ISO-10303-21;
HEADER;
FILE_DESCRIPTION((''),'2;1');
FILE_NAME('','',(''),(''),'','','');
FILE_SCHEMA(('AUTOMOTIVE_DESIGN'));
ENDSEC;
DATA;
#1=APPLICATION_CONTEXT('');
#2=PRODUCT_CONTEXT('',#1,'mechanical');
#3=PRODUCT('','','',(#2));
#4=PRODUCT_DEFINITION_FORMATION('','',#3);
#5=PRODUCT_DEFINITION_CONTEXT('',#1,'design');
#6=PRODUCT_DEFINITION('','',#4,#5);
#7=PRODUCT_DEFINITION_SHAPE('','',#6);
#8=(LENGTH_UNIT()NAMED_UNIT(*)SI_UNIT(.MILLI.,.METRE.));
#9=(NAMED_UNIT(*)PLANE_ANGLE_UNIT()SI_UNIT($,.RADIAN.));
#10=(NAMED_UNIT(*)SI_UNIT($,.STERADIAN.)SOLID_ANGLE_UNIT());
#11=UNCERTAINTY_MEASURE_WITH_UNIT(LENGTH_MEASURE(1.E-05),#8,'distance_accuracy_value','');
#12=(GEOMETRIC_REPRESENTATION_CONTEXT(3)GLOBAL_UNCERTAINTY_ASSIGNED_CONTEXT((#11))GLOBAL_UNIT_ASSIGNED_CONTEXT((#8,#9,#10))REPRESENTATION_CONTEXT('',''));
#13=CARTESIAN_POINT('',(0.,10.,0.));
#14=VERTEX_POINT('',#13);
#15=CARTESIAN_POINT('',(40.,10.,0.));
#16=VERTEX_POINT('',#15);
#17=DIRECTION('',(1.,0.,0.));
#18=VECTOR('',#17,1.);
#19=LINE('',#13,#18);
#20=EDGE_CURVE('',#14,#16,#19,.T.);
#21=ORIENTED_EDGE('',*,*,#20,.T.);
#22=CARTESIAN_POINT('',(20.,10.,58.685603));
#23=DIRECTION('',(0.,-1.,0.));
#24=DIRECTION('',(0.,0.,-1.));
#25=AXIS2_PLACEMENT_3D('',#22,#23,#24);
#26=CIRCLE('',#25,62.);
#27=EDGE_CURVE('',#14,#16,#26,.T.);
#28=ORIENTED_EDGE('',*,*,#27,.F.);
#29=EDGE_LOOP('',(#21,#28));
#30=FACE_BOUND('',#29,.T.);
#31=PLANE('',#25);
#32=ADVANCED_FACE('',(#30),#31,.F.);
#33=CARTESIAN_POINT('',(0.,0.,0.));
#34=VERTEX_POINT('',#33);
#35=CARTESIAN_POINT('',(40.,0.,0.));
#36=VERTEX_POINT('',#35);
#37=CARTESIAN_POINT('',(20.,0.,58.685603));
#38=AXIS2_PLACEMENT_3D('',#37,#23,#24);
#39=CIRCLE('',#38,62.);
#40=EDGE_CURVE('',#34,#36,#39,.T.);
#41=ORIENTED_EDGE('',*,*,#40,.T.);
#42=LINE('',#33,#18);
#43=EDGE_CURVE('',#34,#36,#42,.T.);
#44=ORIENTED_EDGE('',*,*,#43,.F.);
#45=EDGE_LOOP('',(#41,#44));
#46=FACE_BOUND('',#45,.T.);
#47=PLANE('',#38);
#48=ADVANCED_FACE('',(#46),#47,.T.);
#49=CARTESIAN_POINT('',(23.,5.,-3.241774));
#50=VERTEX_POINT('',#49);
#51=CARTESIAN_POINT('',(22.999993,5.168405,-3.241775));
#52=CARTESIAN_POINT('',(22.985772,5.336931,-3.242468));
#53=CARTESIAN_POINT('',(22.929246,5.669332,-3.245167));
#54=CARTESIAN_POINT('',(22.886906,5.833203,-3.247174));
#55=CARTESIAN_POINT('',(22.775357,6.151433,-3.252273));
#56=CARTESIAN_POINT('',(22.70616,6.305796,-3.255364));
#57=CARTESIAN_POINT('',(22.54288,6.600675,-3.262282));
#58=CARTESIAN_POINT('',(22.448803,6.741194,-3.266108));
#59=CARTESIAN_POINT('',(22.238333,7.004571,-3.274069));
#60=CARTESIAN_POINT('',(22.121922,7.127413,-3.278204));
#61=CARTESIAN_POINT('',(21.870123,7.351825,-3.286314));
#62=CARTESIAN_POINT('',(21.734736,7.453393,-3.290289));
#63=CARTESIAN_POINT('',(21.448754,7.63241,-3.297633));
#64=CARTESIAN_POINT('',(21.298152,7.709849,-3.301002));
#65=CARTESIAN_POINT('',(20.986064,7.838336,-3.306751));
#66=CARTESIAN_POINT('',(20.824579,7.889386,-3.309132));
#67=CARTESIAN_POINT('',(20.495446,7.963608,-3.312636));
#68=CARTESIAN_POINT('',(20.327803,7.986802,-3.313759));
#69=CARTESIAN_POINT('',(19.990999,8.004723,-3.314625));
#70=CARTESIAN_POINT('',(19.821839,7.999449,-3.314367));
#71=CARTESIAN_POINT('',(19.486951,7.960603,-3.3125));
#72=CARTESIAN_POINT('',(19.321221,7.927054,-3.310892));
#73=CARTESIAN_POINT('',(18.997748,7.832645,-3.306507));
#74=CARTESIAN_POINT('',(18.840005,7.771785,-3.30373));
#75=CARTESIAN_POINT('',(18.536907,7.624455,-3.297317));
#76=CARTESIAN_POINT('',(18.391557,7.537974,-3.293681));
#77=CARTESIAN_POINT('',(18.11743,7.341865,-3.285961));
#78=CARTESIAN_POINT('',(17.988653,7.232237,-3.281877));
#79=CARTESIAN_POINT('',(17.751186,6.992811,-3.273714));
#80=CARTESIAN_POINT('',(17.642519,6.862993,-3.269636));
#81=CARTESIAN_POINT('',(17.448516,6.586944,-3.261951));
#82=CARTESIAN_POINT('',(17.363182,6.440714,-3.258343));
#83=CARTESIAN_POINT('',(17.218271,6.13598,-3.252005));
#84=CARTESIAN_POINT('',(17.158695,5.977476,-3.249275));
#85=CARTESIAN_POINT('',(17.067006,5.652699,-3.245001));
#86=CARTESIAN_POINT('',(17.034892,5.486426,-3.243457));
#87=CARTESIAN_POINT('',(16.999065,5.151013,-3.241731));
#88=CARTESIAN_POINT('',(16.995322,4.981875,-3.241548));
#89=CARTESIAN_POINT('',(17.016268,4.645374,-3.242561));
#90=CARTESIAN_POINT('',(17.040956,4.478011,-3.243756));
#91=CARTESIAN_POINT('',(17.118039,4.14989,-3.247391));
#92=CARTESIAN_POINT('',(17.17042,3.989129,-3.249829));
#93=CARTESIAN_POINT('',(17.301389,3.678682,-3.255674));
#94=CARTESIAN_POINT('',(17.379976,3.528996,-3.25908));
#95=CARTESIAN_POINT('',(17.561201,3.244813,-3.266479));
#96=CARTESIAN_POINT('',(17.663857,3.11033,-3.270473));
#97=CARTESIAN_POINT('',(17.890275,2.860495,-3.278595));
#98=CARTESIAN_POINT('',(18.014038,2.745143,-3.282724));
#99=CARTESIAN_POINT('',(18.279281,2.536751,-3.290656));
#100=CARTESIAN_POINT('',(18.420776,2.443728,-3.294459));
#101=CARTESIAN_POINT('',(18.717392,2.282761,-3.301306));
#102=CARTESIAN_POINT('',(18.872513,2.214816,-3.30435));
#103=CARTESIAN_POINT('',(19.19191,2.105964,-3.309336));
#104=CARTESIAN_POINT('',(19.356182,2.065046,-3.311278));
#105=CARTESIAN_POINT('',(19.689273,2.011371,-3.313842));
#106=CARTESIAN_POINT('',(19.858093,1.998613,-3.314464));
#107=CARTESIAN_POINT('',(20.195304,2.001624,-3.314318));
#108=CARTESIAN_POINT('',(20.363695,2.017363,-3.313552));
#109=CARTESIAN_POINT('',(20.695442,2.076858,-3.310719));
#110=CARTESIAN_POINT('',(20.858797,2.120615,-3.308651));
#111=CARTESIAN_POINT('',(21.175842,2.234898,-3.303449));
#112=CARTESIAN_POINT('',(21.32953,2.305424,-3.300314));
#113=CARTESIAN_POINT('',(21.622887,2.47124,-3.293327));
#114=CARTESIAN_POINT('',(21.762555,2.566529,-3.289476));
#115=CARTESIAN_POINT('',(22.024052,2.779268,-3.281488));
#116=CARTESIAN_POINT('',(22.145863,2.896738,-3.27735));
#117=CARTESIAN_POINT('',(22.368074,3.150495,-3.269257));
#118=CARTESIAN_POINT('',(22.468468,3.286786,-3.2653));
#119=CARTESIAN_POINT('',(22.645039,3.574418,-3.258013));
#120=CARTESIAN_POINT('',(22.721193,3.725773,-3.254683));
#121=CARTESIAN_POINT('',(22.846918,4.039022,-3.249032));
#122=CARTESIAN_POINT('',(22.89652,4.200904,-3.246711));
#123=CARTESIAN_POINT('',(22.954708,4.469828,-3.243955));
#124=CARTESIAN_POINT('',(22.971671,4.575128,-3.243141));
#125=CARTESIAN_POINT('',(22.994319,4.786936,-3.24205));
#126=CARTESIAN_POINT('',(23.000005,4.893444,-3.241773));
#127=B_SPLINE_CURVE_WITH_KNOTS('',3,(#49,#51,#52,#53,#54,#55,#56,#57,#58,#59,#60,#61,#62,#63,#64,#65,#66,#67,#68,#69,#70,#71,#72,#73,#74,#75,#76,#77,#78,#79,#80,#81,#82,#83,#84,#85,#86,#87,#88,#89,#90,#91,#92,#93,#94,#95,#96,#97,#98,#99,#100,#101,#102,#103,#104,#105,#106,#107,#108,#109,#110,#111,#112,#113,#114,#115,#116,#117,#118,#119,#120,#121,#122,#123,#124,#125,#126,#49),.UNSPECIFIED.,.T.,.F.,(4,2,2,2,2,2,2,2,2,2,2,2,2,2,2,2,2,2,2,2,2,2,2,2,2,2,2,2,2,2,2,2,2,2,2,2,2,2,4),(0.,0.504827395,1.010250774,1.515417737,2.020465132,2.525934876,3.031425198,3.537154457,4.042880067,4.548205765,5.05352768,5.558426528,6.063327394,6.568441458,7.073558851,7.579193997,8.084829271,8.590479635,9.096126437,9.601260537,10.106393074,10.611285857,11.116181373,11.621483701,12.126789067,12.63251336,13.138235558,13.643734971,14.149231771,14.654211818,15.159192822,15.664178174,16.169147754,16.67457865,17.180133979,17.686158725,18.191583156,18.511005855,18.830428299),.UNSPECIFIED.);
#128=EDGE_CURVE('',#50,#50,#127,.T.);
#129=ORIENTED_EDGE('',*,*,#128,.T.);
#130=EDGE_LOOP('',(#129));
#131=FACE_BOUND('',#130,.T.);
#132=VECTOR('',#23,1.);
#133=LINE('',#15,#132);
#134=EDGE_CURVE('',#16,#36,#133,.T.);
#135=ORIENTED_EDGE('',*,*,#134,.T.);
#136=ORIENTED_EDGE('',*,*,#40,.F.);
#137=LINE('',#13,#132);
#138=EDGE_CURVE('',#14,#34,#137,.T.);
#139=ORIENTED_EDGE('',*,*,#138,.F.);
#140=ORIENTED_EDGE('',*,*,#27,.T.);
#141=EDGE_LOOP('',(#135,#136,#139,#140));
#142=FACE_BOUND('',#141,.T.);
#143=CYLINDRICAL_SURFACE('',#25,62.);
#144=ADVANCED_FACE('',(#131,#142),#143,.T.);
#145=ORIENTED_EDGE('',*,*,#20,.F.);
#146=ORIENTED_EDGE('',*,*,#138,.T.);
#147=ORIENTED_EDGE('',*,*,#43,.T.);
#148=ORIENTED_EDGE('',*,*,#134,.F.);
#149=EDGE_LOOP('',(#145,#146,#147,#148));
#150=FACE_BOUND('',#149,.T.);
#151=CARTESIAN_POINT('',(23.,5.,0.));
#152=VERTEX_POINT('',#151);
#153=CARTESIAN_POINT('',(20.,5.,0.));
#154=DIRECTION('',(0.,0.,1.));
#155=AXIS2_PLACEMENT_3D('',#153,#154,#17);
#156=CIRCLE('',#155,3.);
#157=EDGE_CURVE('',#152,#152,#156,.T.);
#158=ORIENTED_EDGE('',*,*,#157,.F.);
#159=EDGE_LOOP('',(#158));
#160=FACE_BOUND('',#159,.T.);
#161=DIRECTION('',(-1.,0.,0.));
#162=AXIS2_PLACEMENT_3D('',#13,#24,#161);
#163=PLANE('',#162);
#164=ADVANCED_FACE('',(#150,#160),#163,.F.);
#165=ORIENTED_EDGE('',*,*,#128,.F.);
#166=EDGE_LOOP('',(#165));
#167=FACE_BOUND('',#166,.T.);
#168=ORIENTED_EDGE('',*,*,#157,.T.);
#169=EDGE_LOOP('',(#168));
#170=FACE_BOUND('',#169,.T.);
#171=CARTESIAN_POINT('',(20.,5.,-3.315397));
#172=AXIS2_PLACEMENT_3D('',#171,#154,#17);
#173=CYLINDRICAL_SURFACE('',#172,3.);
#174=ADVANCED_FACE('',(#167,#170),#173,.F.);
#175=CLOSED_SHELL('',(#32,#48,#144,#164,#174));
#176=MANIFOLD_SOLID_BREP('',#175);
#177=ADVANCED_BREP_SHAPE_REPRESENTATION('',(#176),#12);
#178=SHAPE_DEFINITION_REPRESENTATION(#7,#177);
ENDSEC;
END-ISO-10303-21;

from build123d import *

# Parameters (mm, degrees)
BOSS_EXTRUDE1_DEPTH = 10
CUT_EXTRUDE1_REACH  = 5.314
SKETCH2_R           = 3


with BuildPart() as part:
    # Sketch1 → Boss-Extrude1 (new body)
    with BuildSketch(Plane(origin=(0, 0, 0), x_dir=(1, 0, 0), z_dir=(0, 1, 0))):
        with BuildLine():
            Line((0, 0), (40, 0))
            ThreePointArc((40, 0), (20, 3.314396996), (0, 0))
        make_face()
    extrude(amount=BOSS_EXTRUDE1_DEPTH)

    # Sketch2 → Cut-Extrude1 (cut, up to next)
    with BuildSketch(Plane.XY, mode=Mode.PRIVATE) as cut_extrude1_sk1:
        with Locations((20, 5)):
            Circle(SKETCH2_R)
    cut_extrude1_tool1 = extrude(cut_extrude1_sk1.sketch, amount=-CUT_EXTRUDE1_REACH, mode=Mode.PRIVATE) & part.part
    add(cut_extrude1_tool1.solids().sort_by_distance((20, 5, 0))[0], mode=Mode.SUBTRACT)


solid = part.part
